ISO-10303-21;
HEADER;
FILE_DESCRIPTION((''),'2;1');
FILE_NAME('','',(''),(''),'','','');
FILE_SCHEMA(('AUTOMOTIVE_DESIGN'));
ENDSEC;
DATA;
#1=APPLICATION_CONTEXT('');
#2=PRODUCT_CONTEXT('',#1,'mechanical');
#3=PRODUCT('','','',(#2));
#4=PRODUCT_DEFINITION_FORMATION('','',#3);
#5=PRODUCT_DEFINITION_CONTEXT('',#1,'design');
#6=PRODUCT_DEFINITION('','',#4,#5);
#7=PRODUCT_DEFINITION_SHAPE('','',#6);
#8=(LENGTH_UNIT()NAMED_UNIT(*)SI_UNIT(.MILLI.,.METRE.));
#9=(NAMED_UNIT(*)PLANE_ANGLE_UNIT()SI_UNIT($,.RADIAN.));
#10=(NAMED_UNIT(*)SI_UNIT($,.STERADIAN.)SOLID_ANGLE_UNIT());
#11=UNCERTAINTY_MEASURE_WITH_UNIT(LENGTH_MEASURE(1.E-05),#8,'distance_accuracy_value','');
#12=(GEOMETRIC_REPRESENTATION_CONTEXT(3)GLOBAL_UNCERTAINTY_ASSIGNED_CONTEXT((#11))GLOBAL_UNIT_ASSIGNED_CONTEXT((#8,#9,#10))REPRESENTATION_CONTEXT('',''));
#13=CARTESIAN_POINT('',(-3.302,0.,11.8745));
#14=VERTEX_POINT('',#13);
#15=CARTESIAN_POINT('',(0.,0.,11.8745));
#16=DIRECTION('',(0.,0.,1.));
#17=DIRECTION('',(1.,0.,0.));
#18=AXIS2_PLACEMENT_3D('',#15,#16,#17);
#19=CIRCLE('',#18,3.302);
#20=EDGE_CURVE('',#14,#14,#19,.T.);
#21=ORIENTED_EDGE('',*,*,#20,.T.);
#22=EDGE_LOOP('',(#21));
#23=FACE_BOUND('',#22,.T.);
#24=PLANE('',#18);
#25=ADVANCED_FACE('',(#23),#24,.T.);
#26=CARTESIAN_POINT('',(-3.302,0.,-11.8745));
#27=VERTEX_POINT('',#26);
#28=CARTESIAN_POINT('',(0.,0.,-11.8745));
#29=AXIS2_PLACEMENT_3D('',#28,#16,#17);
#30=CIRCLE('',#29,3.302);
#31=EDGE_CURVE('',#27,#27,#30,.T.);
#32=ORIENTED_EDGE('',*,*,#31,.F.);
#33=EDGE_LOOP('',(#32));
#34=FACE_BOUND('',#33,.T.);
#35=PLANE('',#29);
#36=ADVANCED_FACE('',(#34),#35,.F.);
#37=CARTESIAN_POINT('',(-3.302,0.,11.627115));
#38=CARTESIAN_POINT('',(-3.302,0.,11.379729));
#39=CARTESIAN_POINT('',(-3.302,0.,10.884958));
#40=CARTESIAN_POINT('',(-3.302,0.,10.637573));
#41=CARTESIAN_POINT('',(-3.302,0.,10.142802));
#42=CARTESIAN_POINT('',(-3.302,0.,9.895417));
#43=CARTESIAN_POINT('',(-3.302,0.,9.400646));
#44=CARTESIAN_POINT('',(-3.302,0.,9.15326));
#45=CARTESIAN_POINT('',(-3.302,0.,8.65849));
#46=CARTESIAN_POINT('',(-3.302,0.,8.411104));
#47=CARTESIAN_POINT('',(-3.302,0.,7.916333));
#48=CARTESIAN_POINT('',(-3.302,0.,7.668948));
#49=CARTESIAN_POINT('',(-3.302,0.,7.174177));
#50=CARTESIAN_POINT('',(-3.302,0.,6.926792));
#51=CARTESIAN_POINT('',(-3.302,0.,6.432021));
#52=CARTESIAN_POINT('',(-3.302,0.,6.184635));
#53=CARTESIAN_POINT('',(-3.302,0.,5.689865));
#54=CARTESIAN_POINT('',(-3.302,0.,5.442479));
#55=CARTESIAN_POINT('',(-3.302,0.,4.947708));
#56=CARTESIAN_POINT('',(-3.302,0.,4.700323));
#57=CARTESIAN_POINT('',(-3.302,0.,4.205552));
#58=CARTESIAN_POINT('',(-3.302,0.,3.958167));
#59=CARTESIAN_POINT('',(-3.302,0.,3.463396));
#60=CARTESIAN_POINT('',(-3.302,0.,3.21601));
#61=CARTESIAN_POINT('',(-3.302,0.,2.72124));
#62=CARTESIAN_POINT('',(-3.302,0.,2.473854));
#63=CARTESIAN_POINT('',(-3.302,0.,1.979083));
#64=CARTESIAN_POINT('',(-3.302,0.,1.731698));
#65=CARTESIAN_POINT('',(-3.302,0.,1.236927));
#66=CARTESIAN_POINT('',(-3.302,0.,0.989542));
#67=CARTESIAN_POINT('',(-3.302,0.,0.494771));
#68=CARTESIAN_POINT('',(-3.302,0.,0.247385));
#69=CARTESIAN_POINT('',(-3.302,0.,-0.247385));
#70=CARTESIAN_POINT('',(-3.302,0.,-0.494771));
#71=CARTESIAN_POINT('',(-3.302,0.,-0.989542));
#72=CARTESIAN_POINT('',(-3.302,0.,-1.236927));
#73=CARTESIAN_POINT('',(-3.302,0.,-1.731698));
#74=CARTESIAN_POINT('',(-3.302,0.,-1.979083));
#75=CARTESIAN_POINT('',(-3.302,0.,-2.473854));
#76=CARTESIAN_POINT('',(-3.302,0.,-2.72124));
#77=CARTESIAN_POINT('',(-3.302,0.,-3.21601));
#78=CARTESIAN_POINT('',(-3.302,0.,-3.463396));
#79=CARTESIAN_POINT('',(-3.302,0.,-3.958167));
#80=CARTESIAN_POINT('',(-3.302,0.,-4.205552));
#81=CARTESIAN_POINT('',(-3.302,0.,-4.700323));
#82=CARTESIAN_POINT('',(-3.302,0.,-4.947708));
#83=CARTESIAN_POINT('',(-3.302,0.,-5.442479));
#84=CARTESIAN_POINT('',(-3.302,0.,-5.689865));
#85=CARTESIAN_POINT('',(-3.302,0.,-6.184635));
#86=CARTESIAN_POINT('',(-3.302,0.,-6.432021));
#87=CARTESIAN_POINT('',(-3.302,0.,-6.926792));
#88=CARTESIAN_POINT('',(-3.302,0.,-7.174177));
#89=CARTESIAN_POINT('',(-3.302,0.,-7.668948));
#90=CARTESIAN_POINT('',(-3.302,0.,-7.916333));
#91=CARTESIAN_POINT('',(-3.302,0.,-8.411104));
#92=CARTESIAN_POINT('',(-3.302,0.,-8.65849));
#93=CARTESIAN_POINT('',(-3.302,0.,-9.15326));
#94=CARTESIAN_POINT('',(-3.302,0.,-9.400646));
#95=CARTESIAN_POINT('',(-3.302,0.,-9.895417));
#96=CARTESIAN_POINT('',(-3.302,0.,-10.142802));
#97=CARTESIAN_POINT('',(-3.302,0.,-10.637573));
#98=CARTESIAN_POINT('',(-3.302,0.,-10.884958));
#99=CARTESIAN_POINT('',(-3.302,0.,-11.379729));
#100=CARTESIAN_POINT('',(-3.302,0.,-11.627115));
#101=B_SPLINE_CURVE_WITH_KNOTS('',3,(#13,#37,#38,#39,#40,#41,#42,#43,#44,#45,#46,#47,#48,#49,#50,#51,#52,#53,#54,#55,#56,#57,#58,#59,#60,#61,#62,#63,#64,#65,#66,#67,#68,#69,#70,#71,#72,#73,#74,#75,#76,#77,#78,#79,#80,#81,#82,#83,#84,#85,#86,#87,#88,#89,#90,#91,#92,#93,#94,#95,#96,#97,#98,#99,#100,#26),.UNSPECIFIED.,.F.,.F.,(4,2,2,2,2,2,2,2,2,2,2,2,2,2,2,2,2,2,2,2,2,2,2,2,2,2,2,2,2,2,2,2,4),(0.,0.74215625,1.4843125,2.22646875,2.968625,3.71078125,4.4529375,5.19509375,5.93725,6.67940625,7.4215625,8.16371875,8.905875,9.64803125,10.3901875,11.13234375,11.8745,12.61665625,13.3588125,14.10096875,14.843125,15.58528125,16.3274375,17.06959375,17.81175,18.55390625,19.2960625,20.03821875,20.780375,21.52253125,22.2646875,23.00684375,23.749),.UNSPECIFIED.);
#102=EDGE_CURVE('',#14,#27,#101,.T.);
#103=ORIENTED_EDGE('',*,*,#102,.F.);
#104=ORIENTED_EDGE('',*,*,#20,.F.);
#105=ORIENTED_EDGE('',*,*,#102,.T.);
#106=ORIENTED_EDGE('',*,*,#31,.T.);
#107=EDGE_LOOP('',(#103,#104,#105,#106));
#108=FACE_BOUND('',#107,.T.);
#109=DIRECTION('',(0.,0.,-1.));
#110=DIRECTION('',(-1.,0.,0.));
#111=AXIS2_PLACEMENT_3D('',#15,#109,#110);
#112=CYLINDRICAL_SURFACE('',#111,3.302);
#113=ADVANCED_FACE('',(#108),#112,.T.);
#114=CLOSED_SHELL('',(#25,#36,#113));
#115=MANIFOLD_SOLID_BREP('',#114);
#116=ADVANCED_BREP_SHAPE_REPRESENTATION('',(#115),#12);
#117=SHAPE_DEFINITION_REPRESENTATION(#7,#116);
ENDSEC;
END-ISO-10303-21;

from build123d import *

# Parameters (mm, degrees)
SKETCH1_R           = 3.302
BOSS_EXTRUDE1_DEPTH = 11.8745


with BuildPart() as part:
    # Sketch1 → Boss-Extrude1 (new, symmetric)
    with BuildSketch(Plane.XY):
        with Locations(Location((0, 0, 0), (0, 0, 180))):
            Circle(SKETCH1_R)
    extrude(amount=BOSS_EXTRUDE1_DEPTH, both=True)


solid = part.part
